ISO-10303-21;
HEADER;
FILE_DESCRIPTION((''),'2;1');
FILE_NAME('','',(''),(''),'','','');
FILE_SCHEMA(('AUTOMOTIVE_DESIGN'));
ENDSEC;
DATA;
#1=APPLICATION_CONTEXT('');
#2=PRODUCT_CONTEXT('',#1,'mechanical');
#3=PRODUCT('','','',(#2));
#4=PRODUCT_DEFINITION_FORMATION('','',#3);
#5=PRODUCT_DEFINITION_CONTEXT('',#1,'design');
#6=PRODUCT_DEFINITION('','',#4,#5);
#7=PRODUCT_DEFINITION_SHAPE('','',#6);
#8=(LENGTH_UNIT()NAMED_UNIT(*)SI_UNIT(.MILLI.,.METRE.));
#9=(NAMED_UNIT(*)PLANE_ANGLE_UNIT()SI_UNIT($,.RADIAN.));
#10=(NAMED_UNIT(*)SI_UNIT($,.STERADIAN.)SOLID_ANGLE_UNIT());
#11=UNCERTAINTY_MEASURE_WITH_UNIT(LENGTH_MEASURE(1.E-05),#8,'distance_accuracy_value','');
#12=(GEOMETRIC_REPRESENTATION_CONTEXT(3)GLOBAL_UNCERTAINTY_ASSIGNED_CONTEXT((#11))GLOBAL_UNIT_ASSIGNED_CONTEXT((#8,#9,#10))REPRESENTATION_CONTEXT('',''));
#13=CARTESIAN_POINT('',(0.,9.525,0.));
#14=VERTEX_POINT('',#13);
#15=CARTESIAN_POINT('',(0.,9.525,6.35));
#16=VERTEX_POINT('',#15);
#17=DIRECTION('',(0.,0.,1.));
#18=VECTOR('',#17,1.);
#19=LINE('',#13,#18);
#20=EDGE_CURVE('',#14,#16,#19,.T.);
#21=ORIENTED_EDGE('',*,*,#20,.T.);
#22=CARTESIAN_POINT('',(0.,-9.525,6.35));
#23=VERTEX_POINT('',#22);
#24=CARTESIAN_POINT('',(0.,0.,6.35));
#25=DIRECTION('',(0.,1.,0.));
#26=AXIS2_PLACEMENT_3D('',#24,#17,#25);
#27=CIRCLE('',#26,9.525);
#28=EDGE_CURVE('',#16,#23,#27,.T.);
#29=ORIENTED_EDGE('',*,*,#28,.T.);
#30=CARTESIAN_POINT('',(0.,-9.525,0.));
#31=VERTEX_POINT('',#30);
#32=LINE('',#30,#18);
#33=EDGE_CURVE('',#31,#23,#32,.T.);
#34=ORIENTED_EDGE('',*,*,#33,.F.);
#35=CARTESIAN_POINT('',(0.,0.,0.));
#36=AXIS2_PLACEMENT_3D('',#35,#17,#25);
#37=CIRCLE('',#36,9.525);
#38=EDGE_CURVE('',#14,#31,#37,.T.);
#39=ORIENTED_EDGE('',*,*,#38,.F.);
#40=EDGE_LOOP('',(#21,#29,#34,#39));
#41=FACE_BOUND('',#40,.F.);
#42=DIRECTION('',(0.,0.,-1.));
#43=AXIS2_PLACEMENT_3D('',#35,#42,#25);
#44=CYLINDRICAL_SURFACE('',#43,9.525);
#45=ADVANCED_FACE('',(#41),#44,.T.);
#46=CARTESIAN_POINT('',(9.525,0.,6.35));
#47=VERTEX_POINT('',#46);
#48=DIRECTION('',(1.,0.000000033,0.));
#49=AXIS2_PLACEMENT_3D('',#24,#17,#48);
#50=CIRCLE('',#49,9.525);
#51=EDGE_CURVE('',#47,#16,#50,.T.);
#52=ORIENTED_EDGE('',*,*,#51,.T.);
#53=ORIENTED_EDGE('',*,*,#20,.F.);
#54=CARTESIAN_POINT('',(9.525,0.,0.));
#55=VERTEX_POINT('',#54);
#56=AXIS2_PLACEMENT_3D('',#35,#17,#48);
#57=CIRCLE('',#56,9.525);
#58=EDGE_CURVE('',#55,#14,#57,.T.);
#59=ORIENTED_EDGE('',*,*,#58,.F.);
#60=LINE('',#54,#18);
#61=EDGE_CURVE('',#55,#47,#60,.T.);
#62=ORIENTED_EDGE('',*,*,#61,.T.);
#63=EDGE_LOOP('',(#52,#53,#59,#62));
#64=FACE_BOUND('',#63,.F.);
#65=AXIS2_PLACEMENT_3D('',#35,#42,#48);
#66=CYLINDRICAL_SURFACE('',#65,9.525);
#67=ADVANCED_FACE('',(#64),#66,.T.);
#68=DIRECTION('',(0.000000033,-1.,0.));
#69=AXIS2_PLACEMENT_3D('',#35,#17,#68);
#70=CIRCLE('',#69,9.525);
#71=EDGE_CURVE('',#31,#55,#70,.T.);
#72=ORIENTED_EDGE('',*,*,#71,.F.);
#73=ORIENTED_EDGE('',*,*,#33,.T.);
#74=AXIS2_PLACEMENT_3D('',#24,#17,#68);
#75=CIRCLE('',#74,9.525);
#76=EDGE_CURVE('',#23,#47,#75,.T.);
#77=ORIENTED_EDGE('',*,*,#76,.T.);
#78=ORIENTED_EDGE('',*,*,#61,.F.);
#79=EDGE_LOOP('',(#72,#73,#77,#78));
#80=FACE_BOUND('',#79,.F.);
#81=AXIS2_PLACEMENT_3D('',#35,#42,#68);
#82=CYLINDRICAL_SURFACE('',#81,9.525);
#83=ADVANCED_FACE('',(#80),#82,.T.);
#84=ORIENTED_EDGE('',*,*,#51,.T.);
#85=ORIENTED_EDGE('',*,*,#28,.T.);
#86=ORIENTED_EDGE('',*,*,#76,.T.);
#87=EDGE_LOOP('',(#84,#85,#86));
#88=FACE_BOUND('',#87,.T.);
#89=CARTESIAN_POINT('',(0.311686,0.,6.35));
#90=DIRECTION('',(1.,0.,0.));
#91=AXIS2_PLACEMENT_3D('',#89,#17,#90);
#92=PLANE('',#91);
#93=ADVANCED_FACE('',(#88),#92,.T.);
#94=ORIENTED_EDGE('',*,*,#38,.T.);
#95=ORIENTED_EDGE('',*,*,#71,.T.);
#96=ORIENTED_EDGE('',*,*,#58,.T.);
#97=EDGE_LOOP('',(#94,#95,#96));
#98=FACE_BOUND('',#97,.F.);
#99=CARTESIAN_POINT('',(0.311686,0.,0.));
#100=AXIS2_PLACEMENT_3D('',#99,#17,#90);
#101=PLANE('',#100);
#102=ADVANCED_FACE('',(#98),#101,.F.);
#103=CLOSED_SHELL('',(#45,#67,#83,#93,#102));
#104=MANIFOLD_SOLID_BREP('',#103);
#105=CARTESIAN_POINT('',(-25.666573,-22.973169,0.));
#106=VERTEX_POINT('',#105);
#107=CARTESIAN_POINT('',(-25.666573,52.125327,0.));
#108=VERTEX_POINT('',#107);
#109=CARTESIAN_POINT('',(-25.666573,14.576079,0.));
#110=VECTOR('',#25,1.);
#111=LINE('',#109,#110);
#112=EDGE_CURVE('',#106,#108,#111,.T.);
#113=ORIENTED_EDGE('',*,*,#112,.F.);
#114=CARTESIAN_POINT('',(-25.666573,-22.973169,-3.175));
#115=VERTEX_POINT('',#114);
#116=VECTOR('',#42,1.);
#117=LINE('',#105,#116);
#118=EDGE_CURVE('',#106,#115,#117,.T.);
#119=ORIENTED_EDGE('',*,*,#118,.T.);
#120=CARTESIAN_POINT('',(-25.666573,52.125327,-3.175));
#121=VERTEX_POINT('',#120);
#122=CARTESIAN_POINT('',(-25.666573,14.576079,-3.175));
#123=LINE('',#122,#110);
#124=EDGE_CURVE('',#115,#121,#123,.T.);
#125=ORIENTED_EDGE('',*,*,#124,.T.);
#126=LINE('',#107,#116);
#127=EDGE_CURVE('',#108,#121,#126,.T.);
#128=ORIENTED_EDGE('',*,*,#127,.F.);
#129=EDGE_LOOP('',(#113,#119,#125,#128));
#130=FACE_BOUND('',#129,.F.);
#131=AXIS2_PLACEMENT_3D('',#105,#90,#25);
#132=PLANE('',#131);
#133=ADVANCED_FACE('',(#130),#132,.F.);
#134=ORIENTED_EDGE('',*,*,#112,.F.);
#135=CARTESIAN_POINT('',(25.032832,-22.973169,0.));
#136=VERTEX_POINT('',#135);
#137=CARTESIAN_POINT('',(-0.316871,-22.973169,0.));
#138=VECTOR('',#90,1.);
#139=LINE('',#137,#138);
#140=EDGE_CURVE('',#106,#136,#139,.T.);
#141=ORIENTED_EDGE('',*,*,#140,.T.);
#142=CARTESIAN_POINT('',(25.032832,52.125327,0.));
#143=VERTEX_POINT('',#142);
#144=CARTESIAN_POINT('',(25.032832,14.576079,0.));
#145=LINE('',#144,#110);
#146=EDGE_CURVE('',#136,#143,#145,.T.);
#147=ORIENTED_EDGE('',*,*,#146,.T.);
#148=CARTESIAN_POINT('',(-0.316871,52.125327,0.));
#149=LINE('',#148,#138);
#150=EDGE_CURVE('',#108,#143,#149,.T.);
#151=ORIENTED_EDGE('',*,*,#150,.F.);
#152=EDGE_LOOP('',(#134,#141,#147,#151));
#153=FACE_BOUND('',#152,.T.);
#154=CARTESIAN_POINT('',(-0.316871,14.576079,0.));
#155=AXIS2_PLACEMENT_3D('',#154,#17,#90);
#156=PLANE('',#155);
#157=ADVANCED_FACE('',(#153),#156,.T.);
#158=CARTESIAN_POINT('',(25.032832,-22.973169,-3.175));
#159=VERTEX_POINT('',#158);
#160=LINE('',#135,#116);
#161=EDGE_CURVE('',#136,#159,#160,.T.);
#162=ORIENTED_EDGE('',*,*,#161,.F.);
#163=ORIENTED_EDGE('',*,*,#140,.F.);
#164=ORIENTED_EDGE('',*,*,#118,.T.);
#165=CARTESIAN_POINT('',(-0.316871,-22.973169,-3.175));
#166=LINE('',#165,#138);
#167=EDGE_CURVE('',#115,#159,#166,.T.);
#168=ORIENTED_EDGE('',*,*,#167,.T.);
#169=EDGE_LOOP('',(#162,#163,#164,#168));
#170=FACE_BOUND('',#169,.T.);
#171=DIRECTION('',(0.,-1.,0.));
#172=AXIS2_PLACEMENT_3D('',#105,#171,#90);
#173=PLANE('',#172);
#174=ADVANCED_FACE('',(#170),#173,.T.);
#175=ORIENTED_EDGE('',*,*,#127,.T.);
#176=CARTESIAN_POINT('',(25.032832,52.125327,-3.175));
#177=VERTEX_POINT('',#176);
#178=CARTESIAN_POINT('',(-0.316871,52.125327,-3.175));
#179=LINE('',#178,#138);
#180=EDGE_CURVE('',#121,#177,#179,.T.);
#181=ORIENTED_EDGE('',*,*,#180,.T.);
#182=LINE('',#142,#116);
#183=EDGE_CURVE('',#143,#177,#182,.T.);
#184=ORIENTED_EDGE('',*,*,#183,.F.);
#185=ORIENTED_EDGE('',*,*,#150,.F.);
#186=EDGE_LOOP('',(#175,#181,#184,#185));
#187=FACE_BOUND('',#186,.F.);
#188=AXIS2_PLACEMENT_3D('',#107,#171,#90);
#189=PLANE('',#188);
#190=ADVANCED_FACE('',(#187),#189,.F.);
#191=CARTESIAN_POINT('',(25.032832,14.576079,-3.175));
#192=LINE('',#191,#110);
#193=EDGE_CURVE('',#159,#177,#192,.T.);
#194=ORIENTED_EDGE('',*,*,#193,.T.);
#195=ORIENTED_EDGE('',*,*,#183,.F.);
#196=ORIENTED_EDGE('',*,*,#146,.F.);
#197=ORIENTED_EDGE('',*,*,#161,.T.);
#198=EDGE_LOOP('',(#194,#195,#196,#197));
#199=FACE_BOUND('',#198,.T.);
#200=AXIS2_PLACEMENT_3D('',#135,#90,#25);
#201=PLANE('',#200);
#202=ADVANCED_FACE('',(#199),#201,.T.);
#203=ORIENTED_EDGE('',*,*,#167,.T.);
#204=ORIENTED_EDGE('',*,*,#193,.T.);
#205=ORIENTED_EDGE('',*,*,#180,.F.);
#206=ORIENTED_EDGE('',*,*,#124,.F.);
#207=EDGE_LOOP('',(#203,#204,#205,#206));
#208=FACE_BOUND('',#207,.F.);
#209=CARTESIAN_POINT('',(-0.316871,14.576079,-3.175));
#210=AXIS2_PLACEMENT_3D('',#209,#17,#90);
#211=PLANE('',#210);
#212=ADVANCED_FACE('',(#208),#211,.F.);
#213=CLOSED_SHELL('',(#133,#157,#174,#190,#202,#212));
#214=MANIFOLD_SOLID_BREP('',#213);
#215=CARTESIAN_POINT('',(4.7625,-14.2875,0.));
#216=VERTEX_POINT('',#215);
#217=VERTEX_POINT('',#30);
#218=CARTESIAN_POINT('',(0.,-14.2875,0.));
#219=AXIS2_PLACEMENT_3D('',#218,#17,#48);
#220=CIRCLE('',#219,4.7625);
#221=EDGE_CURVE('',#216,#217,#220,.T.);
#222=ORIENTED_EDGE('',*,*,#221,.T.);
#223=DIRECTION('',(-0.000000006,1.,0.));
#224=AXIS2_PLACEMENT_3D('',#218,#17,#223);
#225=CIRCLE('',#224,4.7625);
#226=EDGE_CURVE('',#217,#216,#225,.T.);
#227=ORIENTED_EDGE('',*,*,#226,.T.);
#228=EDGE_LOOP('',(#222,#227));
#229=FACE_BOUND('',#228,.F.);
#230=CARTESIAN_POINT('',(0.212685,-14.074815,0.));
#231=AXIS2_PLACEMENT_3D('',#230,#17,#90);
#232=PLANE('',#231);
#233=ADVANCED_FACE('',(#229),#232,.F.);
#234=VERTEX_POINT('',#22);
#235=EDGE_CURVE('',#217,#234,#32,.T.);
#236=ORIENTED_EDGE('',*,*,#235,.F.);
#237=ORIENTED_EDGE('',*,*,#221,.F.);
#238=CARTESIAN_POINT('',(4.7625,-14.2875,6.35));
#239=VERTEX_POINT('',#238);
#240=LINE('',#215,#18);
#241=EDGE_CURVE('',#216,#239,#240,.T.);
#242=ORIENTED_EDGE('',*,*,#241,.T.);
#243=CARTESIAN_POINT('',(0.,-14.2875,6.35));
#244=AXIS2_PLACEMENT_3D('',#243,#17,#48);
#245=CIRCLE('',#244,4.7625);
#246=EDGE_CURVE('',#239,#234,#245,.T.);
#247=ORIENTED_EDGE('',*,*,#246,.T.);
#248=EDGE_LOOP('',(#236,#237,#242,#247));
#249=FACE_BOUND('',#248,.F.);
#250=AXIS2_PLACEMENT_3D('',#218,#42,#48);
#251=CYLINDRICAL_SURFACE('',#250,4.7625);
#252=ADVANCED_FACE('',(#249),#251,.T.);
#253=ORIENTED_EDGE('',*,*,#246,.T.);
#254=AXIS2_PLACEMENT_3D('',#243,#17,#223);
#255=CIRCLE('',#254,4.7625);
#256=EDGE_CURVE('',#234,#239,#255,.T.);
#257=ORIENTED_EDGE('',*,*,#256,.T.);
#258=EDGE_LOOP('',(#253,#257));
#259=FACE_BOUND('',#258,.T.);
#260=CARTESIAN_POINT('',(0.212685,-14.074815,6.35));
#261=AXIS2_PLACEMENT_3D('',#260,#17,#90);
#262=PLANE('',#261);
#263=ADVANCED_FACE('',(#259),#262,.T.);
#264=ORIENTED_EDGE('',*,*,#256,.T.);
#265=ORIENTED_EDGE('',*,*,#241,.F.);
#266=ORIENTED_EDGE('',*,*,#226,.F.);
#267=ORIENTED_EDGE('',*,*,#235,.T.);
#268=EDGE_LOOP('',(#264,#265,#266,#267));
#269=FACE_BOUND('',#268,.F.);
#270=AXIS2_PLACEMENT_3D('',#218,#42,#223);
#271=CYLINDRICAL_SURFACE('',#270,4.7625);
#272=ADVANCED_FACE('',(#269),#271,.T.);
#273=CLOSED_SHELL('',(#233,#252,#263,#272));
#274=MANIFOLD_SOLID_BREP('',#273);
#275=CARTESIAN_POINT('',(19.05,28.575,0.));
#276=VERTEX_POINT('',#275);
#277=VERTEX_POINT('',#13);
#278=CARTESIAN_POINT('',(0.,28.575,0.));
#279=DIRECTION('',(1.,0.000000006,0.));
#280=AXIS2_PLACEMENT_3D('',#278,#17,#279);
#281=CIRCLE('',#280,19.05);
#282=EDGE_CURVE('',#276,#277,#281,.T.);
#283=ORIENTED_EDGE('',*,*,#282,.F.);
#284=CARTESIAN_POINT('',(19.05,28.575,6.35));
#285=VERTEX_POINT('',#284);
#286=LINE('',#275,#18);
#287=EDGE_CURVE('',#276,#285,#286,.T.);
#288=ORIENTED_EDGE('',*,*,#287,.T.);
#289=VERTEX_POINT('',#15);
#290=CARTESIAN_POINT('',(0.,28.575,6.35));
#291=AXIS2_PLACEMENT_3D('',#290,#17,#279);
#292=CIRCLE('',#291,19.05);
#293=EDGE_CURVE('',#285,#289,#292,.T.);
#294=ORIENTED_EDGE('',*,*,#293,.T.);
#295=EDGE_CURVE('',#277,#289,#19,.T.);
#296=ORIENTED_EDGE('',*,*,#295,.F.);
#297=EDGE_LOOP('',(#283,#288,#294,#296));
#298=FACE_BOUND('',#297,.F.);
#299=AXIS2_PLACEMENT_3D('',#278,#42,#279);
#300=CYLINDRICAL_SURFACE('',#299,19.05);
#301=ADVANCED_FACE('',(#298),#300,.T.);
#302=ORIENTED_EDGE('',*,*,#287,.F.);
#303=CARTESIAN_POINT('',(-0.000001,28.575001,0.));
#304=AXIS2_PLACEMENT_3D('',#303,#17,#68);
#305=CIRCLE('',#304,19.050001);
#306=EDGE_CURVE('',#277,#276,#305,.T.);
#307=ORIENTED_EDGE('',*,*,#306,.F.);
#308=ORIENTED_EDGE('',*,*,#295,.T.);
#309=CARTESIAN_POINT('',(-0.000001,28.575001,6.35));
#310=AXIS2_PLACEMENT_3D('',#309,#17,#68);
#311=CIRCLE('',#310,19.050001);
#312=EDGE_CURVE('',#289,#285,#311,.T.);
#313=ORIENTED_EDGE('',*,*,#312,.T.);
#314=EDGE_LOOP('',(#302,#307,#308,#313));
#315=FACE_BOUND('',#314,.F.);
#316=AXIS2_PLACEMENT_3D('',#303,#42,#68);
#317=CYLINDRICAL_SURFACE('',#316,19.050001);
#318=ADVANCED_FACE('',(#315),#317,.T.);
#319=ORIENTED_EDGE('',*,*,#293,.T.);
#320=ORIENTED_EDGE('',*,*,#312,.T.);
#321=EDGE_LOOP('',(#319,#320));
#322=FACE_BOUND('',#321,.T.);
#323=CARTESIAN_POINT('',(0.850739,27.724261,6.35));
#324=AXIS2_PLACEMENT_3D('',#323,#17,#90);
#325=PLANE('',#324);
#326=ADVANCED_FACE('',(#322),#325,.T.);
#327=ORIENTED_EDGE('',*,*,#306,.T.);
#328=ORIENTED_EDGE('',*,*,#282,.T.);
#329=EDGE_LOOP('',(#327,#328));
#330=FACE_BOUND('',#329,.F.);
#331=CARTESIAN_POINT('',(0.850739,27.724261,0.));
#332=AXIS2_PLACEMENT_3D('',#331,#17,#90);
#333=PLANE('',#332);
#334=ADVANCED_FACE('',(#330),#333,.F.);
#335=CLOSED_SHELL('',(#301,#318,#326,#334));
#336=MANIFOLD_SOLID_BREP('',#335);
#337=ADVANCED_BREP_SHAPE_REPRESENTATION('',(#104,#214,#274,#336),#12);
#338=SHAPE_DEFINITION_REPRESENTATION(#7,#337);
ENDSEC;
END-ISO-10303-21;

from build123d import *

# Parameters (mm, degrees)
F1_DEPTH = 6.35
F2_DEPTH = 6.35
F3_DEPTH = 6.35
F0_W     = 50.699405
F0_H     = 75.098496
F4_DEPTH = 3.175


with BuildPart() as f1:
    # F0 (on Top) → F1 (new body)
    with BuildSketch(Plane.XY):
        with BuildLine():
            ThreePointArc((19.05, 28.575), (-13.470384, 42.045384), (0, 9.525))
            ThreePointArc((0, 9.525), (13.470384, 15.104616), (19.05, 28.575))
        make_face()
    extrude(amount=F1_DEPTH)


with BuildPart() as f2:
    # F0 (on Top) → F2 (new body)
    with BuildSketch(Plane.XY):
        with BuildLine():
            ThreePointArc((0, -9.525), (6.735192, -6.735192), (9.525, 0))
            ThreePointArc((9.525, 0), (6.735192, 6.735192), (0, 9.525))
            ThreePointArc((0, 9.525), (-9.525, 0), (0, -9.525))
        make_face()
    extrude(amount=F2_DEPTH)


with BuildPart() as f3:
    # F0 (on Top) → F3 (new body)
    with BuildSketch(Plane.XY):
        with BuildLine():
            ThreePointArc((4.7625, -14.2875), (3.367596, -10.919904), (0, -9.525))
            ThreePointArc((0, -9.525), (-3.367596, -17.655096), (4.7625, -14.2875))
        make_face()
    extrude(amount=F3_DEPTH)


with BuildPart() as f4:
    # F0 (on Top) → F4 (new body)
    with BuildSketch(Plane.XY):
        with Locations((-0.316871, 14.576079)):
            Rectangle(F0_W, F0_H)
        with BuildLine():
            ThreePointArc((4.7625, -14.2875), (-3.367596, -17.655096), (0, -9.525))
            ThreePointArc((0, -9.525), (3.367596, -10.919904), (4.7625, -14.2875))
        make_face(mode=Mode.SUBTRACT)
        with BuildLine():
            ThreePointArc((0, 9.525), (6.735192, 6.735192), (9.525, 0))
            ThreePointArc((9.525, 0), (6.735192, -6.735192), (0, -9.525))
            ThreePointArc((0, -9.525), (-9.525, 0), (0, 9.525))
        make_face(mode=Mode.SUBTRACT)
        with BuildLine():
            ThreePointArc((19.05, 28.575), (13.470384, 15.104616), (0, 9.525))
            ThreePointArc((0, 9.525), (-13.470384, 42.045384), (19.05, 28.575))
        make_face(mode=Mode.SUBTRACT)
        with BuildLine():
            ThreePointArc((19.05, 28.575), (-13.470384, 42.045384), (0, 9.525))
            ThreePointArc((0, 9.525), (13.470384, 15.104616), (19.05, 28.575))
        make_face()
        with BuildLine():
            ThreePointArc((0, -9.525), (6.735192, -6.735192), (9.525, 0))
            ThreePointArc((9.525, 0), (6.735192, 6.735192), (0, 9.525))
            ThreePointArc((0, 9.525), (-9.525, 0), (0, -9.525))
        make_face()
        with BuildLine():
            ThreePointArc((4.7625, -14.2875), (3.367596, -10.919904), (0, -9.525))
            ThreePointArc((0, -9.525), (-3.367596, -17.655096), (4.7625, -14.2875))
        make_face()
    extrude(amount=-F4_DEPTH)


solid = Compound([f1.part, f2.part, f3.part, f4.part])
